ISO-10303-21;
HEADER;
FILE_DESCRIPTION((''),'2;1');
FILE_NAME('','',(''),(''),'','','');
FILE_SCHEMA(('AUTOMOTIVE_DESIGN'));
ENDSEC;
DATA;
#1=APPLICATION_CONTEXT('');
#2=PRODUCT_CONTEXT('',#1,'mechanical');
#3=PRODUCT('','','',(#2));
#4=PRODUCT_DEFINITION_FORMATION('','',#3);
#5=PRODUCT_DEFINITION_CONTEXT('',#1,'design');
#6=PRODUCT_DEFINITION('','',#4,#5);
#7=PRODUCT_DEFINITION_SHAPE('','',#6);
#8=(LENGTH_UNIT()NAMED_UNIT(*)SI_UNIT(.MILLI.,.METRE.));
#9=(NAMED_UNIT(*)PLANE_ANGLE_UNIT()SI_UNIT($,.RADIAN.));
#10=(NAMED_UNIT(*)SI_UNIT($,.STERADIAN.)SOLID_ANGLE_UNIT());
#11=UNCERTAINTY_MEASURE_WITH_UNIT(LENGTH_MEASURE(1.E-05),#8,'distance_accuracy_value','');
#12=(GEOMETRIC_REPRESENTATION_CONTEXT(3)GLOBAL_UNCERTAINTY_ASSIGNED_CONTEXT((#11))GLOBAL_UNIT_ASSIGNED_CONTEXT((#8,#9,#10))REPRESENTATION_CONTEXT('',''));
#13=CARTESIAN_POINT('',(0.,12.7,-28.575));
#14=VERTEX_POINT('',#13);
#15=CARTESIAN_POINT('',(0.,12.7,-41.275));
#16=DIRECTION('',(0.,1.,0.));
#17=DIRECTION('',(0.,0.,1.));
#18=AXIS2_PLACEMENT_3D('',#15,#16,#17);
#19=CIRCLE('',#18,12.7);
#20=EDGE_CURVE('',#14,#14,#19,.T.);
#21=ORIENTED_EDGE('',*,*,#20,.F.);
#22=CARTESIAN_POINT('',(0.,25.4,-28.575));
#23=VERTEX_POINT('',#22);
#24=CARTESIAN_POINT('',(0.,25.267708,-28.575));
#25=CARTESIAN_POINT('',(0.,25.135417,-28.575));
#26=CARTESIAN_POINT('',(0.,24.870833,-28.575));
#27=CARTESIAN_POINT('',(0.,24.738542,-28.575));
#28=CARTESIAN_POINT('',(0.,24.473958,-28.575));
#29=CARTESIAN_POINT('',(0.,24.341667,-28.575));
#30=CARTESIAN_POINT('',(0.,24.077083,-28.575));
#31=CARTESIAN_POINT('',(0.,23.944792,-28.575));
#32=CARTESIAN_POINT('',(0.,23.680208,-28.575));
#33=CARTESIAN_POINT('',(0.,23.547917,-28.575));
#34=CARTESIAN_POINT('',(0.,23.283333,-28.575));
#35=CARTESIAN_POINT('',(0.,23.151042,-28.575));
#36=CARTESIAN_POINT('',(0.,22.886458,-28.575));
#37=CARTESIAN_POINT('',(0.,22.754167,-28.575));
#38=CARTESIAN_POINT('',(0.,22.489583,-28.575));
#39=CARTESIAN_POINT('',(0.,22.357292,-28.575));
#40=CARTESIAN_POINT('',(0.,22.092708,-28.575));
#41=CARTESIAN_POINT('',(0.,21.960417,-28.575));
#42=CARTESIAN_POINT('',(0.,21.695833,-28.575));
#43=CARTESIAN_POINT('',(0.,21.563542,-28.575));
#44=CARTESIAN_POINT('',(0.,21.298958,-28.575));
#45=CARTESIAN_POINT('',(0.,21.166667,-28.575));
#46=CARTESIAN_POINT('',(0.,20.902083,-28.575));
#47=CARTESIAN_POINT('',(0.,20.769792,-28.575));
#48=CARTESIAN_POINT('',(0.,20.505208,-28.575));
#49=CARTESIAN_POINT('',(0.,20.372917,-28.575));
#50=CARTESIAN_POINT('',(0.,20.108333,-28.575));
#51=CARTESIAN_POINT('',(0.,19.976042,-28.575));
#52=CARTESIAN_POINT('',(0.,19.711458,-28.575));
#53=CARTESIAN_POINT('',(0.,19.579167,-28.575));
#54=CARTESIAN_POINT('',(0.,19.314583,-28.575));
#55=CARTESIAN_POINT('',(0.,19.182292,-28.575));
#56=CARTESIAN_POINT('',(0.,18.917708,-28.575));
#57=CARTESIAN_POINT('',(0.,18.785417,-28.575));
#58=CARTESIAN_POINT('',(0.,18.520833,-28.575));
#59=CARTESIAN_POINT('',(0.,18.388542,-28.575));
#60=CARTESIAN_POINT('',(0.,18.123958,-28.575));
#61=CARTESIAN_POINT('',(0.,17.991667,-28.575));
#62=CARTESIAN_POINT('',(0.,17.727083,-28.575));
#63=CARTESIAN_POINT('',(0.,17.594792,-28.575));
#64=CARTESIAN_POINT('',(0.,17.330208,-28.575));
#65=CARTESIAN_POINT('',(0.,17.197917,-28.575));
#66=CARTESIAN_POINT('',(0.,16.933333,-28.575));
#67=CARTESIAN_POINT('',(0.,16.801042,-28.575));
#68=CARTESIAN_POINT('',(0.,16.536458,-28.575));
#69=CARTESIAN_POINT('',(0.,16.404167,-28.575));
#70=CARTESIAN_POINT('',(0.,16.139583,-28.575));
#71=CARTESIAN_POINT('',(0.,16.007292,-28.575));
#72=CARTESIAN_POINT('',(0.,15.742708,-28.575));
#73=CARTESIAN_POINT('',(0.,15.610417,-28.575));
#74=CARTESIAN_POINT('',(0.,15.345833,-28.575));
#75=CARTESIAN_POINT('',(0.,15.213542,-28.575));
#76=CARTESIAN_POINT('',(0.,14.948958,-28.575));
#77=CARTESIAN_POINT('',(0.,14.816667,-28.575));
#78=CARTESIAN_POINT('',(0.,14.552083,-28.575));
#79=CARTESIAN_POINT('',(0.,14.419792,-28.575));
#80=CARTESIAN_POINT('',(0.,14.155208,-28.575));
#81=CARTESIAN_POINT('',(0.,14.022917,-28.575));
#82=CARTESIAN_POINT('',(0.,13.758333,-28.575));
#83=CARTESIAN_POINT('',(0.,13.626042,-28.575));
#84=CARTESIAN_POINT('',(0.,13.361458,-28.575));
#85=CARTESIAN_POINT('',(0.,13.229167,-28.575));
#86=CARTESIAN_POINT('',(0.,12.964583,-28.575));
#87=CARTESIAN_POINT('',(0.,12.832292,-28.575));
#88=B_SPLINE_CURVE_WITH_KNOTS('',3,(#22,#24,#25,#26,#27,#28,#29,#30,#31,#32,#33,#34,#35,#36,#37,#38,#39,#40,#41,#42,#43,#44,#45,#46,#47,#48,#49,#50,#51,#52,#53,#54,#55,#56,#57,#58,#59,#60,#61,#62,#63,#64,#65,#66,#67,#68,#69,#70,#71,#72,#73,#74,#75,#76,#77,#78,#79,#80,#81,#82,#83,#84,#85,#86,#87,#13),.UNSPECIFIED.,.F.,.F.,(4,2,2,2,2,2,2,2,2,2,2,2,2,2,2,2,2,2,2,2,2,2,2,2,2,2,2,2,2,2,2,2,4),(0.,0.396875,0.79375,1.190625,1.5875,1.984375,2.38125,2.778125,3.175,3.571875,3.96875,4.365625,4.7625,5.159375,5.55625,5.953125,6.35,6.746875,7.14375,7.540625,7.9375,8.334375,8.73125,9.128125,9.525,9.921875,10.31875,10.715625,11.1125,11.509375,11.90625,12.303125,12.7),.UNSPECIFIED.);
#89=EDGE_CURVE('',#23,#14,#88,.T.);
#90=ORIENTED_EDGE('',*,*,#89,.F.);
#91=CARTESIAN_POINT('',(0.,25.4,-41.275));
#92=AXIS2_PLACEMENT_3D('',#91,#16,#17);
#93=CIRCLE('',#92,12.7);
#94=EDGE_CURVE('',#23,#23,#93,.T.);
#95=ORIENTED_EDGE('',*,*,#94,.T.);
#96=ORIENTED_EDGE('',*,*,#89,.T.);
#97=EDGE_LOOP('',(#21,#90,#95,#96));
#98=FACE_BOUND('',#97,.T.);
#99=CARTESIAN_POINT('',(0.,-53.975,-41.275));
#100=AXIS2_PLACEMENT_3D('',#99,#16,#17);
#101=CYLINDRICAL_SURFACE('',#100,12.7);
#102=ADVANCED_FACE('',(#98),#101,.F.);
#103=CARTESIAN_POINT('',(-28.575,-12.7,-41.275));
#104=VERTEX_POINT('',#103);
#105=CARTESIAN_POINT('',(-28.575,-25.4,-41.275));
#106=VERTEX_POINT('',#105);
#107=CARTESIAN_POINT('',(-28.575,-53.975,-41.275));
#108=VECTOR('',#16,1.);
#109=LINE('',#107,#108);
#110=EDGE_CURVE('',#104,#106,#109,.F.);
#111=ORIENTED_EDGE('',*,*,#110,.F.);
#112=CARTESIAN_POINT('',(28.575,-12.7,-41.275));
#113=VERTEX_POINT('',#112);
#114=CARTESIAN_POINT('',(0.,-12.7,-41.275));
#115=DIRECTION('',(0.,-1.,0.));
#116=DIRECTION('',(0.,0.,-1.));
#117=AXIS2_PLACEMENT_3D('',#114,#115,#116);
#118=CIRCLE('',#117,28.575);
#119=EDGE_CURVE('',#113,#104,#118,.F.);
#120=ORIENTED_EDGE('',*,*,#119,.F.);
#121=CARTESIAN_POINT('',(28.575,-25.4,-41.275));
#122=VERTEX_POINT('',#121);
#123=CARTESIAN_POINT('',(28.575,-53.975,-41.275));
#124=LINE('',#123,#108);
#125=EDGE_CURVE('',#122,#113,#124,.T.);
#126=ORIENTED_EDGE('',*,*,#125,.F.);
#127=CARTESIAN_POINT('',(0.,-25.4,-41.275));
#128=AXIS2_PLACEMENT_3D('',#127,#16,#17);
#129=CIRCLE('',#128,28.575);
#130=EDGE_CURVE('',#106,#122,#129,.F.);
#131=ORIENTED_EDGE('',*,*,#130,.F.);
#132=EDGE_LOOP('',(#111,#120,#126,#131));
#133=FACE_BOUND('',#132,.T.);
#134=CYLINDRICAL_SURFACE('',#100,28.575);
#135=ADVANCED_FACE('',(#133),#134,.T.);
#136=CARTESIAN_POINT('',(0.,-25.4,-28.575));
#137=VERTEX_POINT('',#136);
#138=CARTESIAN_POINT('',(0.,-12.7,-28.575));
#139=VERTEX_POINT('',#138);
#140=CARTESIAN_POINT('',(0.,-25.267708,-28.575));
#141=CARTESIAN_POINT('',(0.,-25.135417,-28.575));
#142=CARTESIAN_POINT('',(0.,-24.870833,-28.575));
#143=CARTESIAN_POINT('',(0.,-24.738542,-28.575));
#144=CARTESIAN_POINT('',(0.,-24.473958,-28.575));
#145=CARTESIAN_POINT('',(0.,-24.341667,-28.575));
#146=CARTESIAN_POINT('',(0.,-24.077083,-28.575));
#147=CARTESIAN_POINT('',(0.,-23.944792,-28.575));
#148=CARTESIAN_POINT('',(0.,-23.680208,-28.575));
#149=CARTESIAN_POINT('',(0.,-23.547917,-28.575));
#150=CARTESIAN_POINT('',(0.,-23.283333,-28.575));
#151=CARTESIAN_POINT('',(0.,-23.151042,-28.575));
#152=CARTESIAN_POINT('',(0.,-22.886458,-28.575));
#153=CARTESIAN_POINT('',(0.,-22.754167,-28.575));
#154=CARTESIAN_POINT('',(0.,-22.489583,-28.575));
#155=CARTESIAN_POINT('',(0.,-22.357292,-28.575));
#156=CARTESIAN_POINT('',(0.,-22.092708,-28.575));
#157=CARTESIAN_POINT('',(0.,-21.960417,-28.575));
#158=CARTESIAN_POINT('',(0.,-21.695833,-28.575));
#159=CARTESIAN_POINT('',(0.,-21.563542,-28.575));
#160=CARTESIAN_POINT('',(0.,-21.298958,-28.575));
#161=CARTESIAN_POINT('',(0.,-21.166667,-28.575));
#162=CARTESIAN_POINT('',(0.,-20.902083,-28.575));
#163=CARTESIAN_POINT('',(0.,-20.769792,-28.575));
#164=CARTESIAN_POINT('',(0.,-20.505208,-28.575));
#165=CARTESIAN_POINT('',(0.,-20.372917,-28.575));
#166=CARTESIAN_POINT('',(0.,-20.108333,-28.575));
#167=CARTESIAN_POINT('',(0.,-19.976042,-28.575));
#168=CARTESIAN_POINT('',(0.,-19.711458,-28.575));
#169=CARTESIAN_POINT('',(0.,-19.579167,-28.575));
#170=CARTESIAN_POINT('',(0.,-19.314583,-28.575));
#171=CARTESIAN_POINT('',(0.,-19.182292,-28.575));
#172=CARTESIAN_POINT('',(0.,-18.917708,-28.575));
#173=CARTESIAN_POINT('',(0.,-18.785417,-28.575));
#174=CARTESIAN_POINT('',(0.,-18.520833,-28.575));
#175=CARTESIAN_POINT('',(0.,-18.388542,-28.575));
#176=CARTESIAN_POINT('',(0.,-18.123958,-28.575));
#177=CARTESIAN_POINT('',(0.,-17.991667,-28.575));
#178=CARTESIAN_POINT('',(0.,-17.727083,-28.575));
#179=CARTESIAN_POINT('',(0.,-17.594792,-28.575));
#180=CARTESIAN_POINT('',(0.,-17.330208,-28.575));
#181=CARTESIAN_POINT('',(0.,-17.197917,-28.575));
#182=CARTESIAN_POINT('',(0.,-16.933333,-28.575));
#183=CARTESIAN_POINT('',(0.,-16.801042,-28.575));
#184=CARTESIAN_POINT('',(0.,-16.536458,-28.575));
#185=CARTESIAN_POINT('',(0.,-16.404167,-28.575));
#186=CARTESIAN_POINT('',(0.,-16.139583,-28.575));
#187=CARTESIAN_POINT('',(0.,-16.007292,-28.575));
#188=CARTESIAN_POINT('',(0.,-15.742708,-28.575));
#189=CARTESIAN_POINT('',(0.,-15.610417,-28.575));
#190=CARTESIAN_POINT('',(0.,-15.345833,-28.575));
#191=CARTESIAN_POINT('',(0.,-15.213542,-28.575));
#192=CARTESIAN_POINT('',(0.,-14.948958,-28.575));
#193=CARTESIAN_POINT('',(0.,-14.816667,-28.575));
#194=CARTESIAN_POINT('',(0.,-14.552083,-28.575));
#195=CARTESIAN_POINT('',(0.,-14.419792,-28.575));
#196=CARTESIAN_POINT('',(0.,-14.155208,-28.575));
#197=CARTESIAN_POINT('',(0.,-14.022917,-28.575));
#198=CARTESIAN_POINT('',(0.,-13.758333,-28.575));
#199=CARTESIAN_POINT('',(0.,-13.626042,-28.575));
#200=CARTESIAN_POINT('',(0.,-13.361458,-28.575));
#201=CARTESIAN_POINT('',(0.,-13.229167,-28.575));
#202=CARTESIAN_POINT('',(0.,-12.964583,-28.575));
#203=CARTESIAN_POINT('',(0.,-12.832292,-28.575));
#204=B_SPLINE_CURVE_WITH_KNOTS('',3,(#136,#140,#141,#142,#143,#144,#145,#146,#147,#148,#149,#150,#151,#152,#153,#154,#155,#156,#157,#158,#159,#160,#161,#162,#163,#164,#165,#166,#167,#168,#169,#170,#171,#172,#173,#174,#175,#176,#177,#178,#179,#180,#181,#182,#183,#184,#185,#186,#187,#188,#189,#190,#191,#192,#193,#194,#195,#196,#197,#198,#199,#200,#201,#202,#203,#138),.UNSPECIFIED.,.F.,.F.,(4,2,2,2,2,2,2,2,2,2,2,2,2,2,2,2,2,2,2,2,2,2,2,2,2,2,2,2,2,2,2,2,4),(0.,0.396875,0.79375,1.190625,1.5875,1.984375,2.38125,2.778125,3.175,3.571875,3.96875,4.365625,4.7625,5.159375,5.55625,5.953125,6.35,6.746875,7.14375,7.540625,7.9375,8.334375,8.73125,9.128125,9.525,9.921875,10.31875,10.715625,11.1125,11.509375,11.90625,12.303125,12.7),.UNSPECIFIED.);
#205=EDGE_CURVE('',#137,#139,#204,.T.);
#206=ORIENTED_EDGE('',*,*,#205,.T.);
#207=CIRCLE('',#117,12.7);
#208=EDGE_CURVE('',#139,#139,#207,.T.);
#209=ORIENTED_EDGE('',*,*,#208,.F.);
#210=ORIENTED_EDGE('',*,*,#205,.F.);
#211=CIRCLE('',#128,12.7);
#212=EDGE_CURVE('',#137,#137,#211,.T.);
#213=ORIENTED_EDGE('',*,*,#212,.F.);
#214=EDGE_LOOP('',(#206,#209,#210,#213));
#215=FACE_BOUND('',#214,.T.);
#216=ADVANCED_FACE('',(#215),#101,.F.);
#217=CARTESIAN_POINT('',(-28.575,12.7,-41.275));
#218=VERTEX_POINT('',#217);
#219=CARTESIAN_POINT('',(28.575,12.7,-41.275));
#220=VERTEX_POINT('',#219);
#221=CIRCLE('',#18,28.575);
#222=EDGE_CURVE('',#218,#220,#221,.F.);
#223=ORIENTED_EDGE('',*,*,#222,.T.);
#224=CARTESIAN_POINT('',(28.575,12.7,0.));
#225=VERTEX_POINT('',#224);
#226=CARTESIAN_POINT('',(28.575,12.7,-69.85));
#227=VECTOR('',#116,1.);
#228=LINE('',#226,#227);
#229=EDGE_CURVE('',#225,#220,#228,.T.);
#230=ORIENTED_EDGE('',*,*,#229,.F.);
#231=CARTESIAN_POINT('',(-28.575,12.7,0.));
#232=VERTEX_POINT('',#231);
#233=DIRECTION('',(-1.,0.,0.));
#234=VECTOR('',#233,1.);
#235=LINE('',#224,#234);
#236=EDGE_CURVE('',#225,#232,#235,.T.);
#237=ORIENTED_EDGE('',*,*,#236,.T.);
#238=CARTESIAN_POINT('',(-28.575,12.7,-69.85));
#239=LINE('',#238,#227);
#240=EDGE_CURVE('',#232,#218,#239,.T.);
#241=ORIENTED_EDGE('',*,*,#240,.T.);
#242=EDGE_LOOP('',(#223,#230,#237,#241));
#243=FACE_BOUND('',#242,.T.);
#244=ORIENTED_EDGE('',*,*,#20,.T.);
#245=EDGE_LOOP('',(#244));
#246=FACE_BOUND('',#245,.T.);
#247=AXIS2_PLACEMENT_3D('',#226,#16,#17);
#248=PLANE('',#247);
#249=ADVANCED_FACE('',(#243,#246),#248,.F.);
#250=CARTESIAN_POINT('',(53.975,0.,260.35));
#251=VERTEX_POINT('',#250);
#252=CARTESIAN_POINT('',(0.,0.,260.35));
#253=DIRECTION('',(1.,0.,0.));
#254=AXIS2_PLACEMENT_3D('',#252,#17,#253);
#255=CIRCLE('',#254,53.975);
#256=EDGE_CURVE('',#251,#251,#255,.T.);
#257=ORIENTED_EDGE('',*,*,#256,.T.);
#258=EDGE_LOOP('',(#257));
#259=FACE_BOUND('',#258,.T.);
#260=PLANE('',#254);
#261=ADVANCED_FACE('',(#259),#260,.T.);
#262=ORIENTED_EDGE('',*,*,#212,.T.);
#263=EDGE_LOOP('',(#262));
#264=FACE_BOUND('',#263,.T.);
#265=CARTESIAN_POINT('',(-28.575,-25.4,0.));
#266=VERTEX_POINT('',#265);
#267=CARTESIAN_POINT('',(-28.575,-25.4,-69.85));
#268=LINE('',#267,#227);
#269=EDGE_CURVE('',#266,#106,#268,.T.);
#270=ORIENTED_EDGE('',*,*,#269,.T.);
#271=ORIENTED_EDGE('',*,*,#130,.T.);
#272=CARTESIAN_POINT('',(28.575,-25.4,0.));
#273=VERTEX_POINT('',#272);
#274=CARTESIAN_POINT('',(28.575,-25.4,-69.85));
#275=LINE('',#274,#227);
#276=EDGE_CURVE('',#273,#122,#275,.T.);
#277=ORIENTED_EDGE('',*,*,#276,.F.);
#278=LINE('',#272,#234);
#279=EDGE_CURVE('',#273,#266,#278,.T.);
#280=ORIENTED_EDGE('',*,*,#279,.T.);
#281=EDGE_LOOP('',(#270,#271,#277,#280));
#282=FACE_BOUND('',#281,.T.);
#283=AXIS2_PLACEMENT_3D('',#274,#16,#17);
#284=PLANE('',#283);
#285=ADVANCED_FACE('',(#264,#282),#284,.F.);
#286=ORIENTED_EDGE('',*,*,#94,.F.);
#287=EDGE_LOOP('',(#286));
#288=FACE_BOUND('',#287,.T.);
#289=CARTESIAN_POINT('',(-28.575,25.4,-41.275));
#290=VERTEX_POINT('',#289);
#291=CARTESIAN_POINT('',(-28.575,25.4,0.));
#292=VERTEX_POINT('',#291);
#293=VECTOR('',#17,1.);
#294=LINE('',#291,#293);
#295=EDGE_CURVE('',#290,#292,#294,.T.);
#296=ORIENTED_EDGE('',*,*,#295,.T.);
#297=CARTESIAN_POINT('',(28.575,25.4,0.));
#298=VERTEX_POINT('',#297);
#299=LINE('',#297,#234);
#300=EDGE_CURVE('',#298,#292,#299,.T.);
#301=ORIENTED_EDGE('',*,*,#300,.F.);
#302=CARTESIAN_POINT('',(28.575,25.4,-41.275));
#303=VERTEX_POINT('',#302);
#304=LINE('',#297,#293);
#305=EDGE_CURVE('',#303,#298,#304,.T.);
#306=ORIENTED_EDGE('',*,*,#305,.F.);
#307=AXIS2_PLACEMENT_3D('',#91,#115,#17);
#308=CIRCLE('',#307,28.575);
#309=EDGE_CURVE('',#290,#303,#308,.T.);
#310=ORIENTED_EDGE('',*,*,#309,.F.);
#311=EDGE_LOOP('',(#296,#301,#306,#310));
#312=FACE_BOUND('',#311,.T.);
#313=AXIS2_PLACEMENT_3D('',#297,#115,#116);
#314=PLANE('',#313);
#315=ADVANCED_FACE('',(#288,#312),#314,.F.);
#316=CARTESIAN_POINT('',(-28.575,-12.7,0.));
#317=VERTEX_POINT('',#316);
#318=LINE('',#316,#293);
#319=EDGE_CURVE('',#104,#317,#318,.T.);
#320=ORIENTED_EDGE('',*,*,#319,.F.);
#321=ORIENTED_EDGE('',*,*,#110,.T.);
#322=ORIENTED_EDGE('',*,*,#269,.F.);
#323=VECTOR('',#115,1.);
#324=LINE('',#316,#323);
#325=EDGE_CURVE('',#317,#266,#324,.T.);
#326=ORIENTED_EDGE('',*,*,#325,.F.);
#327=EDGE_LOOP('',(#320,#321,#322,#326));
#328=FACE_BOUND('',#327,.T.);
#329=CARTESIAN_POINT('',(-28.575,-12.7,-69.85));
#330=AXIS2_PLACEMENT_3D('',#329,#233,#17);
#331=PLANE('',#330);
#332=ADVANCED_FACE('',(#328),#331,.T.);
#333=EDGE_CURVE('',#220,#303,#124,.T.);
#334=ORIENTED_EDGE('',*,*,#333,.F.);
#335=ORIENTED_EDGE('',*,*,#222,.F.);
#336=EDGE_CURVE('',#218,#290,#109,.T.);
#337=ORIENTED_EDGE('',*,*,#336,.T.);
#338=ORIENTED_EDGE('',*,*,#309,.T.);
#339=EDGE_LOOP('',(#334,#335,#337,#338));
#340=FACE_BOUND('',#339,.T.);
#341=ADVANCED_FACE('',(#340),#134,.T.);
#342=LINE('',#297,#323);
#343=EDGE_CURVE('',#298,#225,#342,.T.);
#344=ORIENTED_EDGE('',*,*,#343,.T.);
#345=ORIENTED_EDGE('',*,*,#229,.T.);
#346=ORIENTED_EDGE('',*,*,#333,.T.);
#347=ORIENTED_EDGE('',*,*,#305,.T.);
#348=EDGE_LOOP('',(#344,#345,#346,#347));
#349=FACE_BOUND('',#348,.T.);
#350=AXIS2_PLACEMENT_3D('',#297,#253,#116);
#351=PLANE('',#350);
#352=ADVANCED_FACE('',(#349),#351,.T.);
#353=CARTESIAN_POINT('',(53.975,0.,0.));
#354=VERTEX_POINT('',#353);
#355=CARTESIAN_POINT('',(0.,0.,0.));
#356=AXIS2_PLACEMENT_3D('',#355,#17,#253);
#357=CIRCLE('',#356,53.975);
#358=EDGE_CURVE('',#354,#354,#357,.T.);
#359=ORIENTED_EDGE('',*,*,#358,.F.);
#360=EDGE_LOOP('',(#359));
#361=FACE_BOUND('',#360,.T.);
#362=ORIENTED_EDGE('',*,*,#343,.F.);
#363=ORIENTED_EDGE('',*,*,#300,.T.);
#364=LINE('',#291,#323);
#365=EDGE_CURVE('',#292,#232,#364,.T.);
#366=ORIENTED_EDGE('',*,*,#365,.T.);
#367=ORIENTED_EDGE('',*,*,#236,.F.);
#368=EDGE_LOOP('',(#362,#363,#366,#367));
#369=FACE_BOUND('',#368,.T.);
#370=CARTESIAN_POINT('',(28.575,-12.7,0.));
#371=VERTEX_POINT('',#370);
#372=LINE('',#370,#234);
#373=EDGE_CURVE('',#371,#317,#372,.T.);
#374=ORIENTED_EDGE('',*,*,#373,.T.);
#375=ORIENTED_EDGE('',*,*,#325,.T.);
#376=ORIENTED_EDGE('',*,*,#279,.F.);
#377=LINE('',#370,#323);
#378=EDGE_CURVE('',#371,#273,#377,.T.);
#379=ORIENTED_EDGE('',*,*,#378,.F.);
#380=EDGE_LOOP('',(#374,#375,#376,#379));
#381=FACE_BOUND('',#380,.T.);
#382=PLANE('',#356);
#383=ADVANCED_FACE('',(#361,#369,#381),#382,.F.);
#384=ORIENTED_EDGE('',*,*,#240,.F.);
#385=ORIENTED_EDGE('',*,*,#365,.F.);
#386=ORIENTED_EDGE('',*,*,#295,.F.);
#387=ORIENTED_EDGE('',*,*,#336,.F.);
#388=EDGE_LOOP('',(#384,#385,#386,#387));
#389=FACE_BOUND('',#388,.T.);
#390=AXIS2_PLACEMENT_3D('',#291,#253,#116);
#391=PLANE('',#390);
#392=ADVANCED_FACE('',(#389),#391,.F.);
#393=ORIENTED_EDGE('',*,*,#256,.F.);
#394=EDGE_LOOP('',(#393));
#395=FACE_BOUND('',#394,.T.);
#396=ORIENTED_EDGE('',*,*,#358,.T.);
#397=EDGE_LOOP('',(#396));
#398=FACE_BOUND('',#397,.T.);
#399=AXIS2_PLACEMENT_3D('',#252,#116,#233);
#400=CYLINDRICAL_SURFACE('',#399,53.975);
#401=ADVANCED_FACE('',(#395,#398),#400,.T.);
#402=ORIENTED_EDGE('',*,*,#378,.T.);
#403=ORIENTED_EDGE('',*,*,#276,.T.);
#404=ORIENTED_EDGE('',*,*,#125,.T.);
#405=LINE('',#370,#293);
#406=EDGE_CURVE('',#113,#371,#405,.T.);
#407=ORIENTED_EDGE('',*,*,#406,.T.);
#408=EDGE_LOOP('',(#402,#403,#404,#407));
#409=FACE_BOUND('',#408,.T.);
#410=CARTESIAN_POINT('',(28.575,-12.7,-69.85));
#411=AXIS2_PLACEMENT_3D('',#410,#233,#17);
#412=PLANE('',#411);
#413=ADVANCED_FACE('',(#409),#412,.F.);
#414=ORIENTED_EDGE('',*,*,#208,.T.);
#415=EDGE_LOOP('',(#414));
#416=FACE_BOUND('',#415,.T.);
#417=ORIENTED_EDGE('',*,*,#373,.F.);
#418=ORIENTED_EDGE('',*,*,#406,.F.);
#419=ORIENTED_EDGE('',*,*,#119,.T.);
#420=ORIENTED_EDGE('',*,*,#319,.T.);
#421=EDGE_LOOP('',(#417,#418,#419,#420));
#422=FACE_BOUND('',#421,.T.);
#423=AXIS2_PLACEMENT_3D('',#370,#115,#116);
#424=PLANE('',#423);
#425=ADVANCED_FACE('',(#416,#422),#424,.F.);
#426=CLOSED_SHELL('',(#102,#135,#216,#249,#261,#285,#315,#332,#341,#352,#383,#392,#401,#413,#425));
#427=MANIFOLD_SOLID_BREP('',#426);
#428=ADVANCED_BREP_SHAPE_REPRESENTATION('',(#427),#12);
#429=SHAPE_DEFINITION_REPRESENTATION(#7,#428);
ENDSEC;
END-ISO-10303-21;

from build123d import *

# Parameters (mm, degrees)
SKETCH1_R          = 53.975
EXTRUDE1_DEPTH     = 260.35
SKETCH2_W          = 12.7
SKETCH2_H          = 69.85
EXTRUDE2_DEPTH     = 28.575
SKETCH3_R          = 12.7
CUT_EXTRUDE1_DEPTH = 278.481195309


with BuildPart() as part:
    # Sketch1 → Extrude1 (new body)
    with BuildSketch(Plane.XY):
        Circle(SKETCH1_R)
    extrude(amount=EXTRUDE1_DEPTH)

    # Sketch2 → Extrude2 (add, symmetric)
    with BuildSketch(Plane(origin=(0, 0, 0), x_dir=(0, -1, 0), z_dir=(1, 0, 0))):
        with Locations((-19.05, 34.925)):
            Rectangle(SKETCH2_W, SKETCH2_H)
        with Locations((19.05, 34.925)):
            Rectangle(SKETCH2_W, SKETCH2_H)
    extrude(amount=EXTRUDE2_DEPTH, both=True)

    # Sketch3 → Cut-Extrude1 (cut, through all)
    with BuildSketch(Plane(origin=(0, 25.4, 0), x_dir=(-1, 0, 0), z_dir=(0, 1, 0))):
        with Locations(Location((0, -41.275, 0), (0, 0, 90))):
            Circle(SKETCH3_R)
        with BuildLine():
            Line((-28.575, -41.275), (-28.575, -85.725))
            Line((-28.575, -85.725), (28.575, -85.725))
            Line((28.575, -85.725), (28.575, -41.275))
            ThreePointArc((28.575, -41.275), (0, -69.85), (-28.575, -41.275))
        make_face()
    extrude(amount=-CUT_EXTRUDE1_DEPTH, mode=Mode.SUBTRACT)


solid = part.part
